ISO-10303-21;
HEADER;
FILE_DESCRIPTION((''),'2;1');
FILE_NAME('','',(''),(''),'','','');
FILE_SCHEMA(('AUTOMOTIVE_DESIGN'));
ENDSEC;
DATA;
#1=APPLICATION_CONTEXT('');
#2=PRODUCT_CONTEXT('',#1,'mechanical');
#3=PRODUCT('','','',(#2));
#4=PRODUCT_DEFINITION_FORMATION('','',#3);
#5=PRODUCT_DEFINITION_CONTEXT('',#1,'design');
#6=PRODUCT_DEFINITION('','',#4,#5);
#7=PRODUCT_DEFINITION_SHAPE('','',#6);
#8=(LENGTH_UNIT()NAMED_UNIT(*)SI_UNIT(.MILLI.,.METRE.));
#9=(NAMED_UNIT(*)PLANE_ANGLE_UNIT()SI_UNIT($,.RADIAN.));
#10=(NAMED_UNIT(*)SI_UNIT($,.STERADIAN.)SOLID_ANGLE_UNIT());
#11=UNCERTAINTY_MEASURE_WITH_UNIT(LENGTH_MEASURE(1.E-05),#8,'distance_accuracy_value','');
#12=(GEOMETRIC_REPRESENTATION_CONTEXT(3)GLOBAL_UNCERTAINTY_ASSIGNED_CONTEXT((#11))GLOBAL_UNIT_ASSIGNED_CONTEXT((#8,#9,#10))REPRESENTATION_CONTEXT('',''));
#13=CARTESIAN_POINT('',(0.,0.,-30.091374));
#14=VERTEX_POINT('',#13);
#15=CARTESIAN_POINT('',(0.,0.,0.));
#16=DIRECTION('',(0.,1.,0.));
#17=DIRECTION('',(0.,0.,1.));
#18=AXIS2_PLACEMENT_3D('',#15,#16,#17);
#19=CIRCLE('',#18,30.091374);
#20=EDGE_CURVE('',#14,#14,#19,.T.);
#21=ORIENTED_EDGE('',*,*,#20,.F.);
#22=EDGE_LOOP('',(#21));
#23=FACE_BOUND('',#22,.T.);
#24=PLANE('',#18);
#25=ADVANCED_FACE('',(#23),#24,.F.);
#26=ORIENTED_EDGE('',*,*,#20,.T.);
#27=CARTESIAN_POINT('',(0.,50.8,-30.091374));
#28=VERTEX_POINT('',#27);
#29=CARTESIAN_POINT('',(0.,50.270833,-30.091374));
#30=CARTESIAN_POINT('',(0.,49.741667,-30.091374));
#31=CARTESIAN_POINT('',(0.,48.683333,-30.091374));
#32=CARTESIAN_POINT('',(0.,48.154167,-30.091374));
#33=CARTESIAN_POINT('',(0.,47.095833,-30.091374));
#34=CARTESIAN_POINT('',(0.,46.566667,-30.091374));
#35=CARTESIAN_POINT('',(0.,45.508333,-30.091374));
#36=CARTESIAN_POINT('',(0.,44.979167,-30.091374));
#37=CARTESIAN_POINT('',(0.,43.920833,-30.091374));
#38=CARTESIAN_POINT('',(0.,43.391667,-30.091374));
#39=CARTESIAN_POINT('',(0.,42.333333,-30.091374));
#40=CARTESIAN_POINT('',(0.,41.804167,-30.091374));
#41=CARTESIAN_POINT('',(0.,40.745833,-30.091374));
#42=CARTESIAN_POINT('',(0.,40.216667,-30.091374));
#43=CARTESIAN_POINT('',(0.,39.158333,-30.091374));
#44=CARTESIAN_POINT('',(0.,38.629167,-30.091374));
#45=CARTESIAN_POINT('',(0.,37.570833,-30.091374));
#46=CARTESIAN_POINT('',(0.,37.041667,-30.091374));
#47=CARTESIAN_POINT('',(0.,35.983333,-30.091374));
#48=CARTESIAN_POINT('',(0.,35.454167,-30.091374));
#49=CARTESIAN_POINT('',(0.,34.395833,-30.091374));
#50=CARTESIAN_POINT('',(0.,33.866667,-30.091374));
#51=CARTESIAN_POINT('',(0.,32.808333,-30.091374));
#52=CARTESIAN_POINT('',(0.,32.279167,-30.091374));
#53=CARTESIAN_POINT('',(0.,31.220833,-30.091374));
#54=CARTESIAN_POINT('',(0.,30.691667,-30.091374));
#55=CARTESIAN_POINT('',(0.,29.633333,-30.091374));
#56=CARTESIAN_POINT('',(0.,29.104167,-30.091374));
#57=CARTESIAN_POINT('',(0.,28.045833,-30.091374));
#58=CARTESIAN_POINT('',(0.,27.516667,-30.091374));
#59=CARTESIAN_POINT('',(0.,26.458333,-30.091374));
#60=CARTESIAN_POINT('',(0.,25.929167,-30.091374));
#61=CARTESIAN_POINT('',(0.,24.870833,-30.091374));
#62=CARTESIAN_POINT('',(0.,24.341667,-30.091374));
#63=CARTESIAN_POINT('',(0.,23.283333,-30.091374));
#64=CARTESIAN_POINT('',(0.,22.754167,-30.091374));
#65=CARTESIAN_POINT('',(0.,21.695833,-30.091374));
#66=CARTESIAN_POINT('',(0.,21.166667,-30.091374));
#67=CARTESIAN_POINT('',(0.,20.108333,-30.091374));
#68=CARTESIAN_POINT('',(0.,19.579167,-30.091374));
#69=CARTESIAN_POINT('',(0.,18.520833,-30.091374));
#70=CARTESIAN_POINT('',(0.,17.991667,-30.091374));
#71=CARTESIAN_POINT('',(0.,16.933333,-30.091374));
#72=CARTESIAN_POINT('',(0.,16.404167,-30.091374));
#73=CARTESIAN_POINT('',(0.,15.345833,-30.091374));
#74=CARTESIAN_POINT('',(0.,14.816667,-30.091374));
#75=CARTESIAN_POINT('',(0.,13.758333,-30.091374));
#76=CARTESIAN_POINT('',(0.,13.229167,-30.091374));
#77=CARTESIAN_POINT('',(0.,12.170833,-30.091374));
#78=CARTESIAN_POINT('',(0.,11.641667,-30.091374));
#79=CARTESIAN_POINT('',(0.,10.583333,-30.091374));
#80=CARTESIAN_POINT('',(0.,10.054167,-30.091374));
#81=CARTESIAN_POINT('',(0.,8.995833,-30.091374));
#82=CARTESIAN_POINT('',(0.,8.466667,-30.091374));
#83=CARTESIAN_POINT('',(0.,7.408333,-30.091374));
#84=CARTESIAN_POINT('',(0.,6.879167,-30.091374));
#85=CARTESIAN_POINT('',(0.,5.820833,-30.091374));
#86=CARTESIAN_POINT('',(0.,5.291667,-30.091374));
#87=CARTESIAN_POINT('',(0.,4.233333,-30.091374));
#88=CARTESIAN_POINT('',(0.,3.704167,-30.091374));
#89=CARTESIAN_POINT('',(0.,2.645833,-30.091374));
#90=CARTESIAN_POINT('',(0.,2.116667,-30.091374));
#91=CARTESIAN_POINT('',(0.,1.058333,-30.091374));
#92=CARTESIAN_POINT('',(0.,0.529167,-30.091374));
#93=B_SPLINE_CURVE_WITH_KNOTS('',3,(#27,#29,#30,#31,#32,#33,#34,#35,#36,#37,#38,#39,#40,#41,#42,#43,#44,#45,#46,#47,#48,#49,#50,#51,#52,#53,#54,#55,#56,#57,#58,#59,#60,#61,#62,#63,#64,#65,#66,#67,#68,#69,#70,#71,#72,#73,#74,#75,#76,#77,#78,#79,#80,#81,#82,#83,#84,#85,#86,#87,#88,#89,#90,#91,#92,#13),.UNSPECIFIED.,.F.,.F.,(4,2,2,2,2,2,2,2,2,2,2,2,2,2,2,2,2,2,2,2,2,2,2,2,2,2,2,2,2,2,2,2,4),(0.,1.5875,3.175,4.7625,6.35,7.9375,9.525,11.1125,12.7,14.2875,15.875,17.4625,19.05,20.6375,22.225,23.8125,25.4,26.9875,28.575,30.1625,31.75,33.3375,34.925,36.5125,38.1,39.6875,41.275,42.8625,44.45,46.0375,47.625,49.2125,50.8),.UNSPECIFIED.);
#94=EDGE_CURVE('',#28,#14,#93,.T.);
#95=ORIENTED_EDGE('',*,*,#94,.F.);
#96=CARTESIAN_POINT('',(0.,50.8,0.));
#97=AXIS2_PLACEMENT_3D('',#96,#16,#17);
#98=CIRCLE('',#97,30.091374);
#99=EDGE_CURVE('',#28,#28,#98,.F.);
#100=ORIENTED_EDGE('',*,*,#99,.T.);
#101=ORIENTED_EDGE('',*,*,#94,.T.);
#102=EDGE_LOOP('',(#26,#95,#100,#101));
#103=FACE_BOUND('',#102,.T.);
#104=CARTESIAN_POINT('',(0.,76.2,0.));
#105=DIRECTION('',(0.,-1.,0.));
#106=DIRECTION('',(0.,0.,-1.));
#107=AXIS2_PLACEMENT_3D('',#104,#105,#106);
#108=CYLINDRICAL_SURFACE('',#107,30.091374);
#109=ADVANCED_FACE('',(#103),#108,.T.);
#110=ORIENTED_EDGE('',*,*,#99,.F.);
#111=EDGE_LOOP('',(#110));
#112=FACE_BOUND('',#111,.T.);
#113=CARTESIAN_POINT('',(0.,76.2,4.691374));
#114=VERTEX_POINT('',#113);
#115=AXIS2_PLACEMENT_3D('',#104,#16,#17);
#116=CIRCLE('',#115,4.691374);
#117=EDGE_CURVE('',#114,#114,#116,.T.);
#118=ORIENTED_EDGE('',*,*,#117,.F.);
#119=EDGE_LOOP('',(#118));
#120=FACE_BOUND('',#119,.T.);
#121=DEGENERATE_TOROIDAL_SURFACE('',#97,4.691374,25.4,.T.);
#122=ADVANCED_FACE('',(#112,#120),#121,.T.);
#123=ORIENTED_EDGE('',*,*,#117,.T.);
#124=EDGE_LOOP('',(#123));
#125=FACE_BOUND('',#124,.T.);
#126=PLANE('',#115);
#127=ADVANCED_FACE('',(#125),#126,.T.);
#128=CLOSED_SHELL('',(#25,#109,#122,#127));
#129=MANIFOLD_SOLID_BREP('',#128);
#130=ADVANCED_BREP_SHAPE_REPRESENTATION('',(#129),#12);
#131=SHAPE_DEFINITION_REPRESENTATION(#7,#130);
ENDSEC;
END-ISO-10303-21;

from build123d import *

# Parameters (mm, degrees)
SKETCH1_R           = 30.091373625
BOSS_EXTRUDE1_DEPTH = 76.2
FILLET2_R           = 25.4


with BuildPart() as part:
    # Sketch1 → Boss-Extrude1 (new body)
    with BuildSketch(Plane(origin=(0, 0, 0), x_dir=(1, 0, 0), z_dir=(0, 1, 0))):
        with Locations(Location((0, 0, 0), (0, 0, 90))):
            Circle(SKETCH1_R)
    extrude(amount=BOSS_EXTRUDE1_DEPTH)

    # Fillet2
    fillet2_edges = [part.edges().sort_by_distance(p)[0] for p in [
        (0, 76.2, 30.091373625),
    ]]
    fillet(fillet2_edges, radius=FILLET2_R)


solid = part.part
